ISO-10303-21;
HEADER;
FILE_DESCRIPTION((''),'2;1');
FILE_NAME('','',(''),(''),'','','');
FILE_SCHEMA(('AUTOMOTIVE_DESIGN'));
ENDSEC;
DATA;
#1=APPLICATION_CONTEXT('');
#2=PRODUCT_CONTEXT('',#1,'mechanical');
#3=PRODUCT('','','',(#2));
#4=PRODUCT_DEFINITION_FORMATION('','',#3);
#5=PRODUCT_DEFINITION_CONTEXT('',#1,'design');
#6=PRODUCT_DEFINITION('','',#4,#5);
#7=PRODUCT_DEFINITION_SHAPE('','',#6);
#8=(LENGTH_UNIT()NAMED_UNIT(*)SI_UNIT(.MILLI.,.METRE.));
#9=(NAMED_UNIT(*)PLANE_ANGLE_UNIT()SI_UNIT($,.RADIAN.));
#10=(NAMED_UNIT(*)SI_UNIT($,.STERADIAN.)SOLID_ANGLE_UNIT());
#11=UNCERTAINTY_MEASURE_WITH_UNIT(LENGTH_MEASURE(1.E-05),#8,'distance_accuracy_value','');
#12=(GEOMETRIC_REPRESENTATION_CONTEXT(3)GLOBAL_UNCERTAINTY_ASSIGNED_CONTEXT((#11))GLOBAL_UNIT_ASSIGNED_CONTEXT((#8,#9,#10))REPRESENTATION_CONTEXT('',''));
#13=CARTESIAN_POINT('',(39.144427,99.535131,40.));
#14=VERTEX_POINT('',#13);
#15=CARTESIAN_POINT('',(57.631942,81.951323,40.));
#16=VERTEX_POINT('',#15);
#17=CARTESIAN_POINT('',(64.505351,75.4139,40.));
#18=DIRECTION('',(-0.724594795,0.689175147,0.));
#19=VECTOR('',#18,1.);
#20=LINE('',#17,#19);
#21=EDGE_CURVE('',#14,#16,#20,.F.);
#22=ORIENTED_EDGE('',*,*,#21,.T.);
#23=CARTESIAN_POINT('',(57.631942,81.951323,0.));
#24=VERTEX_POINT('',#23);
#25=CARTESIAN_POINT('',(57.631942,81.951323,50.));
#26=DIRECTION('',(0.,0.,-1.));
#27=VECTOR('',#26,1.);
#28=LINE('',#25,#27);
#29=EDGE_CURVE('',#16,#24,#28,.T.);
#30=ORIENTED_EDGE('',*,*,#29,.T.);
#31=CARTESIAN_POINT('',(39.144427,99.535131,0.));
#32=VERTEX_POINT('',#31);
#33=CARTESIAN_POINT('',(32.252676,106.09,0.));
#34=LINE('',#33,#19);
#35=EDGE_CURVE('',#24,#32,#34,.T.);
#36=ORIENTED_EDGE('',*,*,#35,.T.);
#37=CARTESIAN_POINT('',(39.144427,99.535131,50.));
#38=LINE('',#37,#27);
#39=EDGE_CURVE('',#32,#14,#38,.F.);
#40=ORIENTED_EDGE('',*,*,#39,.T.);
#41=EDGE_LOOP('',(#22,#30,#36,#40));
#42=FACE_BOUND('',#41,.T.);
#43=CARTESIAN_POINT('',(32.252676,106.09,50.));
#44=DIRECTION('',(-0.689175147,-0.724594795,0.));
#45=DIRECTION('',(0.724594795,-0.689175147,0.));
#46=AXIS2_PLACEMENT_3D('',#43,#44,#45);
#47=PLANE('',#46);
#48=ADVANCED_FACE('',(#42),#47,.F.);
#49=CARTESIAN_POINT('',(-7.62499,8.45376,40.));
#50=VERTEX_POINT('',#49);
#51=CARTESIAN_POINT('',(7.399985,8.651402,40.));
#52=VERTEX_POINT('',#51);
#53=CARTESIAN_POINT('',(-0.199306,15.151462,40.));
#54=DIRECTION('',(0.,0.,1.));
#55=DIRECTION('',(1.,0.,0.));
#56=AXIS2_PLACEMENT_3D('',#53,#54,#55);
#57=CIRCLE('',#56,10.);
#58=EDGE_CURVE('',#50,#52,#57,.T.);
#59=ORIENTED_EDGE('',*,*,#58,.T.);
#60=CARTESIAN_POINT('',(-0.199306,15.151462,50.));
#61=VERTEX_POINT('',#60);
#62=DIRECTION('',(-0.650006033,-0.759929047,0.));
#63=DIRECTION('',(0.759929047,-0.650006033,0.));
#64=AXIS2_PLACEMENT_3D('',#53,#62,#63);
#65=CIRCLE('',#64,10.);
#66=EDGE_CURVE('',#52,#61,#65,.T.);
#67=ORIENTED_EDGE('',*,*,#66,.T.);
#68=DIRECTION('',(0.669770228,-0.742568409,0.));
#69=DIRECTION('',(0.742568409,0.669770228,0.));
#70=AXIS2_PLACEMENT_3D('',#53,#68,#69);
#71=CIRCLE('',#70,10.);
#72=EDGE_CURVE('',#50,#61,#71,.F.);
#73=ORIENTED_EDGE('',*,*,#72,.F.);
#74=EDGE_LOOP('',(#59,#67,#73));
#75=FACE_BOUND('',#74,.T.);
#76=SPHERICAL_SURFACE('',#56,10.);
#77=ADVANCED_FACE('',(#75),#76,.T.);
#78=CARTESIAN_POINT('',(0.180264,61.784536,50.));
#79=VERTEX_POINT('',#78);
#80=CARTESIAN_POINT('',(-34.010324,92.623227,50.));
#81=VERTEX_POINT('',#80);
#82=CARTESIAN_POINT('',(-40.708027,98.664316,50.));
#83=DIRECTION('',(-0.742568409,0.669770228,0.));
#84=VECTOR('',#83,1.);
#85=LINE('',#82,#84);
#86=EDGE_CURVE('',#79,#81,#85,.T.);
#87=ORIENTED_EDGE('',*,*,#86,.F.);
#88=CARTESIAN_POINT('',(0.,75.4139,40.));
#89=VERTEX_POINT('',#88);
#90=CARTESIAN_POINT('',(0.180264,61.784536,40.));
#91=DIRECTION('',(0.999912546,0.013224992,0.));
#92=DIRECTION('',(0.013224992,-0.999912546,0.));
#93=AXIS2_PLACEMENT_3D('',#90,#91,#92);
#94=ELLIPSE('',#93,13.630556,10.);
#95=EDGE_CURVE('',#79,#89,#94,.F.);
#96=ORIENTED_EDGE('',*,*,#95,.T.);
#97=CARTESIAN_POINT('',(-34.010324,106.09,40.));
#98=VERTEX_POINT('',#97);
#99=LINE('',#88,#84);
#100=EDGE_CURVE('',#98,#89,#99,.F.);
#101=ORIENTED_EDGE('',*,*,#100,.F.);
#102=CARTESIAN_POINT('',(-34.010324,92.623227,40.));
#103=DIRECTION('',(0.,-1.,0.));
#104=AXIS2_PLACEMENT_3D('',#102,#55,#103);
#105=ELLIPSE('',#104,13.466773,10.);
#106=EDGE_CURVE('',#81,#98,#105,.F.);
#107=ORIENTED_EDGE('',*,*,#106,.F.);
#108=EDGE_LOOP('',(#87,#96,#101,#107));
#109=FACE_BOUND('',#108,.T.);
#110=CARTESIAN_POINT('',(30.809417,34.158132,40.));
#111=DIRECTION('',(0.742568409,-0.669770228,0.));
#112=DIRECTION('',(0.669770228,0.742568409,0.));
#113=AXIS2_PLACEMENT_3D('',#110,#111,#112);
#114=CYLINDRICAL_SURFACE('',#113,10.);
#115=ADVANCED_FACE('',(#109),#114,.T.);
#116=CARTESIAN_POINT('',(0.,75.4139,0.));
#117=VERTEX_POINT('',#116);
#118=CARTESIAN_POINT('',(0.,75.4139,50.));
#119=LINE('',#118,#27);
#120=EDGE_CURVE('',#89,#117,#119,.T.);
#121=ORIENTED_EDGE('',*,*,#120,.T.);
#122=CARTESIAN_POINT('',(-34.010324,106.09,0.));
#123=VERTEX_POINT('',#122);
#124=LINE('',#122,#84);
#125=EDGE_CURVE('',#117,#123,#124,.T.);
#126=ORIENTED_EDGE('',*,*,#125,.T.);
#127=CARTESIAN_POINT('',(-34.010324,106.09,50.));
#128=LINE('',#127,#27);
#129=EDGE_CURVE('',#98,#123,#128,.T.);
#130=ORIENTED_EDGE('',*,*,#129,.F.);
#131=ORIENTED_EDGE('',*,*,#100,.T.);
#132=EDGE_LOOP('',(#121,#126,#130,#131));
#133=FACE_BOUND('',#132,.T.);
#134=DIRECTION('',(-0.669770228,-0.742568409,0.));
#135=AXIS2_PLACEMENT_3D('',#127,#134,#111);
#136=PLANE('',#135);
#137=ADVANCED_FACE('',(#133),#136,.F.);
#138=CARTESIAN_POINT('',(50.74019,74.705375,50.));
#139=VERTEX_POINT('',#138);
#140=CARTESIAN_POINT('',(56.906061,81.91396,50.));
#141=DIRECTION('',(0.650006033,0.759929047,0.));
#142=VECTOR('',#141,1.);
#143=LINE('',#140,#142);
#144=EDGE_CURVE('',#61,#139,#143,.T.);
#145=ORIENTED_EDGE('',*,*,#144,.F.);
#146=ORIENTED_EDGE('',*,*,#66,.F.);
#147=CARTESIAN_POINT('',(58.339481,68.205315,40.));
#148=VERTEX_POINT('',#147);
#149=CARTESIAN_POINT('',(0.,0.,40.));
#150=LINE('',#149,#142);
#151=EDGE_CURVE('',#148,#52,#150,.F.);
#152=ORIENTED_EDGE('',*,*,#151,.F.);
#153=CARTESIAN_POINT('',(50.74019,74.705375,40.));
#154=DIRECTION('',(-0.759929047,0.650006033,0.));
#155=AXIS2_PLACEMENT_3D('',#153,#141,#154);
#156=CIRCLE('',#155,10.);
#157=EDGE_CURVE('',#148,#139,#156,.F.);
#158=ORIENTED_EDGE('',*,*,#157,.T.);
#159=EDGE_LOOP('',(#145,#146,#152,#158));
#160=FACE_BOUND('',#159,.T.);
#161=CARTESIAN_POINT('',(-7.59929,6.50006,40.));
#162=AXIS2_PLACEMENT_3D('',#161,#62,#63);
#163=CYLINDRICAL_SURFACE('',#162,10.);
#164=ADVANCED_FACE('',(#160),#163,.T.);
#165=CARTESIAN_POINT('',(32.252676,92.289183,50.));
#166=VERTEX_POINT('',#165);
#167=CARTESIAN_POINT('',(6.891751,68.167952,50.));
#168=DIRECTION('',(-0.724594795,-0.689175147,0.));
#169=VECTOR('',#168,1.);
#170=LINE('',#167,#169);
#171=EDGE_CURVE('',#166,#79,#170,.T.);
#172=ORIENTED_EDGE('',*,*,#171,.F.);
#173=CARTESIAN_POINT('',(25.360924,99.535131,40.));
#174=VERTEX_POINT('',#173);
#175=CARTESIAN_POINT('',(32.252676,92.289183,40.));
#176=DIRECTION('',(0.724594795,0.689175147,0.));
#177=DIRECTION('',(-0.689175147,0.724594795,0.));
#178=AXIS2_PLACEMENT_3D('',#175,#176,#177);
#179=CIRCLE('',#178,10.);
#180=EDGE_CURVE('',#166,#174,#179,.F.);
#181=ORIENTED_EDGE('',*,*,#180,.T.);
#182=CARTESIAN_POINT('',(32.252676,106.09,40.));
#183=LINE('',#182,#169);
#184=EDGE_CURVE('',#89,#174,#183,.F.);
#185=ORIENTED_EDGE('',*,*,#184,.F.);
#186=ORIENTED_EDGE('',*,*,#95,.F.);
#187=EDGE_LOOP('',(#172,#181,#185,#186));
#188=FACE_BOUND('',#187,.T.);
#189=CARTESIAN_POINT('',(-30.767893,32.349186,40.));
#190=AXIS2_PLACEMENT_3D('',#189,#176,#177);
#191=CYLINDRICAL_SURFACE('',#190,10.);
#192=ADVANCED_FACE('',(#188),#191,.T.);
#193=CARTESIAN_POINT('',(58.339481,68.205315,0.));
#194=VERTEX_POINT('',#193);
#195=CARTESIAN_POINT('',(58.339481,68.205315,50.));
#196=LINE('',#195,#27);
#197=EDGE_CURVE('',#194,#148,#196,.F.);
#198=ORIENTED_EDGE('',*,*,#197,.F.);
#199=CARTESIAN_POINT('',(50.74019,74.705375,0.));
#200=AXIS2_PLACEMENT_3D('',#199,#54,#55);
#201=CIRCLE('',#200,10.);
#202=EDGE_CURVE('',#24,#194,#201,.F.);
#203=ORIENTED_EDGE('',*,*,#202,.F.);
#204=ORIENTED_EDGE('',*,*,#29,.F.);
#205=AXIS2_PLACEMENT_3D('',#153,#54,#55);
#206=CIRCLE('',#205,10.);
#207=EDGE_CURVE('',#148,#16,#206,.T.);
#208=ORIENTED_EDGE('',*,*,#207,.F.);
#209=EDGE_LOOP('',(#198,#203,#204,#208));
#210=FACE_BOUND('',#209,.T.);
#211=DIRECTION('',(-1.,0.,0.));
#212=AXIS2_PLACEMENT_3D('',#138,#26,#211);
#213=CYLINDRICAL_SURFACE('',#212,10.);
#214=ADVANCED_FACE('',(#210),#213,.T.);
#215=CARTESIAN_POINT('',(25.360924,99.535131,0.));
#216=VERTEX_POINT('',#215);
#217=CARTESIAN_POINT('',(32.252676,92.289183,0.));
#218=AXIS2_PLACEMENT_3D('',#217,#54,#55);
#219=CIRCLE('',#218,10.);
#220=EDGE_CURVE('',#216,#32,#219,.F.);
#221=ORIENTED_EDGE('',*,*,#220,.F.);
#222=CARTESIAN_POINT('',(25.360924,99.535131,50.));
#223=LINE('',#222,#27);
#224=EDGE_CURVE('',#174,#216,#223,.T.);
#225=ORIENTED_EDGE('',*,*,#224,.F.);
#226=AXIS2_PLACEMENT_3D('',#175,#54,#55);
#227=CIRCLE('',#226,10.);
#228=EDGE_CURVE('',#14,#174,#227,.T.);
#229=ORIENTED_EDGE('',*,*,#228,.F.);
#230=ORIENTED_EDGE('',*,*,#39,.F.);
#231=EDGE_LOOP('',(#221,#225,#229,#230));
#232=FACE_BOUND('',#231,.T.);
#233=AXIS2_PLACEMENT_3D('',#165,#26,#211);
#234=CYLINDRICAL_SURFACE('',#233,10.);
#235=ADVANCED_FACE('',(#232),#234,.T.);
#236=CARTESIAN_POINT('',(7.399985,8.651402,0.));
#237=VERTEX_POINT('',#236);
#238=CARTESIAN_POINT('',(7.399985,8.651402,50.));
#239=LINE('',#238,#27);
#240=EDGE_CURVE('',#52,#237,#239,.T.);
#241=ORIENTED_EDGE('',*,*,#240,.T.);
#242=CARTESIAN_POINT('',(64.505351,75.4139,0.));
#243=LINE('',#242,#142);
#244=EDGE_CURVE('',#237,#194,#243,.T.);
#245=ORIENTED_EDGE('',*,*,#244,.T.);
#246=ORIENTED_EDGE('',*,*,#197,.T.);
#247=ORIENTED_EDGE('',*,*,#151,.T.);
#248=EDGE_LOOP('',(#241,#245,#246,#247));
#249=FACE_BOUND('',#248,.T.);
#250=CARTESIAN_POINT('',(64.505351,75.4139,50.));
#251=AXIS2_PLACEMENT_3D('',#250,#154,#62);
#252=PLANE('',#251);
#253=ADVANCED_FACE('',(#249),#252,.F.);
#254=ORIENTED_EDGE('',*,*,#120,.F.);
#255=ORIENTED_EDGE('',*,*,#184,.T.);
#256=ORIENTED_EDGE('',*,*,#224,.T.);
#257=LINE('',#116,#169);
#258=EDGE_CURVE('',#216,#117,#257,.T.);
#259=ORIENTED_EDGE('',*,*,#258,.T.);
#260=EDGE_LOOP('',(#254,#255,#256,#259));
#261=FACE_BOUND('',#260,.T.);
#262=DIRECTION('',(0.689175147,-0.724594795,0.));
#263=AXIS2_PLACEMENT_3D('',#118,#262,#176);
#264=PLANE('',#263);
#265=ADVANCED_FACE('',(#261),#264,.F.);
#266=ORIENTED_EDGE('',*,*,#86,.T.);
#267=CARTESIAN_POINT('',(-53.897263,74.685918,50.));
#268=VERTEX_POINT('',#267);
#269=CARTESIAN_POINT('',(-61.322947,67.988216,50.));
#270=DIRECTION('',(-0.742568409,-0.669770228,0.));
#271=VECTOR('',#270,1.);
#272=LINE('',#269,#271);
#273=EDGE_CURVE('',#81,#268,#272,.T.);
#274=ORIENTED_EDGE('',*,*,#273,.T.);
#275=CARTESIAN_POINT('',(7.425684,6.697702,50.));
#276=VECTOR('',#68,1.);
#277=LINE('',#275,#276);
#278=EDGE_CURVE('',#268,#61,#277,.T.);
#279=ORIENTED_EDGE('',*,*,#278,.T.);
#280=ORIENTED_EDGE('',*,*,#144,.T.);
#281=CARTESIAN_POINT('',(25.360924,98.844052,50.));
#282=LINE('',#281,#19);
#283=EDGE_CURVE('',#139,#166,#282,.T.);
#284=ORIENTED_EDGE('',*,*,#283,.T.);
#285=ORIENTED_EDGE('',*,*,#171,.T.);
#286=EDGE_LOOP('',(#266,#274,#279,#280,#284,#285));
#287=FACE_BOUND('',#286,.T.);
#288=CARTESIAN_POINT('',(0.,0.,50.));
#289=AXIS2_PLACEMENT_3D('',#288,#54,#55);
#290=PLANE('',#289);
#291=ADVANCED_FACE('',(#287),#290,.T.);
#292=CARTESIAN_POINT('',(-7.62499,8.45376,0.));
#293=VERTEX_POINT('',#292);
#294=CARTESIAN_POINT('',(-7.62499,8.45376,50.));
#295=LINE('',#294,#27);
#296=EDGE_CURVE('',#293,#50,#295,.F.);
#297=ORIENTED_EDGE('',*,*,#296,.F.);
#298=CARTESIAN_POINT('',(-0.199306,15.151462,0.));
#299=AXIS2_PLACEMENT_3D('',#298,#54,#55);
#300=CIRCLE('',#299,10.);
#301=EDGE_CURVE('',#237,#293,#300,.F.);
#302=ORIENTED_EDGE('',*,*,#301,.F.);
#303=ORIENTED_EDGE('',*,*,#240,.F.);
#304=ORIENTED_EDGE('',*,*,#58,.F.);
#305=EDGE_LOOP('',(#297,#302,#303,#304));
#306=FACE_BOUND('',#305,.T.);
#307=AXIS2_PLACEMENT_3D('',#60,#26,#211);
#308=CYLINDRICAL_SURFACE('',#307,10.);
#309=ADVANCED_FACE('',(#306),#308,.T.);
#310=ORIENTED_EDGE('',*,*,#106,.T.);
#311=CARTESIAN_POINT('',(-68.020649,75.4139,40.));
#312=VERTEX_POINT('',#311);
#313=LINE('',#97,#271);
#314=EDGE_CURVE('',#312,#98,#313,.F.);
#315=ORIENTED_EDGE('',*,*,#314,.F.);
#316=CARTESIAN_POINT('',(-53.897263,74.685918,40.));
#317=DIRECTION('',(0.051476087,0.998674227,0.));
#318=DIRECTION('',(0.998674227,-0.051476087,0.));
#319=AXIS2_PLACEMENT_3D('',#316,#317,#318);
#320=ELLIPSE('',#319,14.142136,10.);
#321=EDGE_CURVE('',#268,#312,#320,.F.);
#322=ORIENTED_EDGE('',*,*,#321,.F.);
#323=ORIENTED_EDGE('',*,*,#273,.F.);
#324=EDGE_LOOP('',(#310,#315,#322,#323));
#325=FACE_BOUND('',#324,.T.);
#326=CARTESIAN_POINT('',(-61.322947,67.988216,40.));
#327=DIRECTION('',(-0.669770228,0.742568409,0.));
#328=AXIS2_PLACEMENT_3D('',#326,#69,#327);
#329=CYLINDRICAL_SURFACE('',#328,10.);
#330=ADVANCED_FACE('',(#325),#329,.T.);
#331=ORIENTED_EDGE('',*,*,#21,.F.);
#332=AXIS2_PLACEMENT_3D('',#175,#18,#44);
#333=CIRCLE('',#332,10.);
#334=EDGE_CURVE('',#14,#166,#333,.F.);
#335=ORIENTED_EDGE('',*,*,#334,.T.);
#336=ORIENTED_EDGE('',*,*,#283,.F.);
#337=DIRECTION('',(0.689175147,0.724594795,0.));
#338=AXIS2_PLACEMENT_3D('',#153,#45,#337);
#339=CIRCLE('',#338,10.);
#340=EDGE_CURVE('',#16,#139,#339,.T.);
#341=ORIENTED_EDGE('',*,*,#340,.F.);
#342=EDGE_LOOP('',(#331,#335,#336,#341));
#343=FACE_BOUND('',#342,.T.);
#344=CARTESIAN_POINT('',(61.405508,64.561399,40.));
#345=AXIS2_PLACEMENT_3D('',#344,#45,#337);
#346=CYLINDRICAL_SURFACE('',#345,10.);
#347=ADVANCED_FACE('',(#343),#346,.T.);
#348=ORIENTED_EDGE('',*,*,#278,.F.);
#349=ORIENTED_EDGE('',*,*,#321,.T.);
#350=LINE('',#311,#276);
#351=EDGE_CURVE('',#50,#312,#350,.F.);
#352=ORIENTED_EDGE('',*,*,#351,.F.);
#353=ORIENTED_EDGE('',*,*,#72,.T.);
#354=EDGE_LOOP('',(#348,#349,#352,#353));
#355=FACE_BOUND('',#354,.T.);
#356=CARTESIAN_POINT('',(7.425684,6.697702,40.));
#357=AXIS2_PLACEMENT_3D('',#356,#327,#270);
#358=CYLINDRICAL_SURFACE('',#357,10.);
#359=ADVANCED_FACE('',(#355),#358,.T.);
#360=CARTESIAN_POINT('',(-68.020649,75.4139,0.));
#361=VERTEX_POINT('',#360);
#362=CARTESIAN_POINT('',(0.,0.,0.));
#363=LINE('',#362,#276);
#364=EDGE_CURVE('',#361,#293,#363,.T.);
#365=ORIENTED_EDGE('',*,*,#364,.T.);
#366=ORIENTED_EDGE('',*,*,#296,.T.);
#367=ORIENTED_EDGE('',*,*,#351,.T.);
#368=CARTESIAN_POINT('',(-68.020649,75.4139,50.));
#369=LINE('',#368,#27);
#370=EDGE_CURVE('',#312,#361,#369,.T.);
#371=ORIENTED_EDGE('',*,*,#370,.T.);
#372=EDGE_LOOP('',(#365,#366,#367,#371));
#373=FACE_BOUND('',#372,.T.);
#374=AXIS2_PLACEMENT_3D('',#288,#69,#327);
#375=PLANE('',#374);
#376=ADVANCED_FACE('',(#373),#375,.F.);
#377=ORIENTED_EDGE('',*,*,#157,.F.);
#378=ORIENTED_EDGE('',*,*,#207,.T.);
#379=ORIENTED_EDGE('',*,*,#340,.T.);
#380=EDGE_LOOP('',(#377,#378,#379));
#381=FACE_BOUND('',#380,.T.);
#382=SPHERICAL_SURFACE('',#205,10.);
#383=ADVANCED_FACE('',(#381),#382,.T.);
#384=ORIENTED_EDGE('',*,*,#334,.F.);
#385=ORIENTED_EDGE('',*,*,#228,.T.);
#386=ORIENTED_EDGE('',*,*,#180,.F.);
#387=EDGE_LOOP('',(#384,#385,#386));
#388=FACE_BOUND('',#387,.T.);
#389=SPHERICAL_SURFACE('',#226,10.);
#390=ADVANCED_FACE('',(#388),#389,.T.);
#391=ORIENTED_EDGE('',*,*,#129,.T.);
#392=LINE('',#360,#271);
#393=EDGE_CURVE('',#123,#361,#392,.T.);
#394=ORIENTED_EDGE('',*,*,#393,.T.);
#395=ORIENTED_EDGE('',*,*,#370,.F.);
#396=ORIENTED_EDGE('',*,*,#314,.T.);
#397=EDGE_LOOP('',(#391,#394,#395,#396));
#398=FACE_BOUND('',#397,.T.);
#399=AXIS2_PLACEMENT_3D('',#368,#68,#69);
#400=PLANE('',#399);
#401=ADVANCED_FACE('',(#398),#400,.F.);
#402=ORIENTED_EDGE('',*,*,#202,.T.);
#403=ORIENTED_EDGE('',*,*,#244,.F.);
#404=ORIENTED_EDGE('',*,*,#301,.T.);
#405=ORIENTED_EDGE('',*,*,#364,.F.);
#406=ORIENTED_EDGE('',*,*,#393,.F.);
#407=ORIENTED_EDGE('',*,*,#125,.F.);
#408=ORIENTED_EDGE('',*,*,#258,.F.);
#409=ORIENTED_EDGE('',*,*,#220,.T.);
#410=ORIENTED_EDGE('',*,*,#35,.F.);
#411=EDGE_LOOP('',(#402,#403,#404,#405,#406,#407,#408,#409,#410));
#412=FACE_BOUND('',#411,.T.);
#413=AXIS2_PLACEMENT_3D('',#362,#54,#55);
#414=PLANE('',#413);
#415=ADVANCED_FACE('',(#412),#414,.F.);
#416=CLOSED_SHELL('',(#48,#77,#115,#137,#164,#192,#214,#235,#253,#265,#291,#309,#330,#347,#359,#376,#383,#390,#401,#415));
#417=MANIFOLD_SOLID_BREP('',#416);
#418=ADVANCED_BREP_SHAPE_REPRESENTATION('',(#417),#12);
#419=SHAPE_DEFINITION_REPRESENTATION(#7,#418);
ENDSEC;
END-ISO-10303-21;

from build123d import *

# Parameters (mm, degrees)
BOSS_EXTRUDE1_DEPTH = 50
FILLET1_R           = 10


with BuildPart() as part:
    # Sketch1 → Boss-Extrude1 (new body)
    with BuildSketch(Plane.XY):
        Polygon((0, 0), (-68.020648891, 75.4139), (-34.010324446, 106.09), (0, 75.4139), (32.252675554, 106.09), (64.505351109, 75.4139), align=None)
    extrude(amount=BOSS_EXTRUDE1_DEPTH)

    # Fillet1
    fillet1_edges = [part.edges().sort_by_distance(p)[0] for p in [
        (0, 0, 25),
        (32.252675554, 106.09, 25),
        (64.505351109, 75.4139, 25),
        (16.126337777, 90.75195, 50),
        (-17.005162223, 90.75195, 50),
        (-51.015486668, 90.75195, 50),
        (-34.010324446, 37.70695, 50),
        (32.252675554, 37.70695, 50),
        (48.379013332, 90.75195, 50),
    ]]
    fillet(fillet1_edges, radius=FILLET1_R)


solid = part.part
